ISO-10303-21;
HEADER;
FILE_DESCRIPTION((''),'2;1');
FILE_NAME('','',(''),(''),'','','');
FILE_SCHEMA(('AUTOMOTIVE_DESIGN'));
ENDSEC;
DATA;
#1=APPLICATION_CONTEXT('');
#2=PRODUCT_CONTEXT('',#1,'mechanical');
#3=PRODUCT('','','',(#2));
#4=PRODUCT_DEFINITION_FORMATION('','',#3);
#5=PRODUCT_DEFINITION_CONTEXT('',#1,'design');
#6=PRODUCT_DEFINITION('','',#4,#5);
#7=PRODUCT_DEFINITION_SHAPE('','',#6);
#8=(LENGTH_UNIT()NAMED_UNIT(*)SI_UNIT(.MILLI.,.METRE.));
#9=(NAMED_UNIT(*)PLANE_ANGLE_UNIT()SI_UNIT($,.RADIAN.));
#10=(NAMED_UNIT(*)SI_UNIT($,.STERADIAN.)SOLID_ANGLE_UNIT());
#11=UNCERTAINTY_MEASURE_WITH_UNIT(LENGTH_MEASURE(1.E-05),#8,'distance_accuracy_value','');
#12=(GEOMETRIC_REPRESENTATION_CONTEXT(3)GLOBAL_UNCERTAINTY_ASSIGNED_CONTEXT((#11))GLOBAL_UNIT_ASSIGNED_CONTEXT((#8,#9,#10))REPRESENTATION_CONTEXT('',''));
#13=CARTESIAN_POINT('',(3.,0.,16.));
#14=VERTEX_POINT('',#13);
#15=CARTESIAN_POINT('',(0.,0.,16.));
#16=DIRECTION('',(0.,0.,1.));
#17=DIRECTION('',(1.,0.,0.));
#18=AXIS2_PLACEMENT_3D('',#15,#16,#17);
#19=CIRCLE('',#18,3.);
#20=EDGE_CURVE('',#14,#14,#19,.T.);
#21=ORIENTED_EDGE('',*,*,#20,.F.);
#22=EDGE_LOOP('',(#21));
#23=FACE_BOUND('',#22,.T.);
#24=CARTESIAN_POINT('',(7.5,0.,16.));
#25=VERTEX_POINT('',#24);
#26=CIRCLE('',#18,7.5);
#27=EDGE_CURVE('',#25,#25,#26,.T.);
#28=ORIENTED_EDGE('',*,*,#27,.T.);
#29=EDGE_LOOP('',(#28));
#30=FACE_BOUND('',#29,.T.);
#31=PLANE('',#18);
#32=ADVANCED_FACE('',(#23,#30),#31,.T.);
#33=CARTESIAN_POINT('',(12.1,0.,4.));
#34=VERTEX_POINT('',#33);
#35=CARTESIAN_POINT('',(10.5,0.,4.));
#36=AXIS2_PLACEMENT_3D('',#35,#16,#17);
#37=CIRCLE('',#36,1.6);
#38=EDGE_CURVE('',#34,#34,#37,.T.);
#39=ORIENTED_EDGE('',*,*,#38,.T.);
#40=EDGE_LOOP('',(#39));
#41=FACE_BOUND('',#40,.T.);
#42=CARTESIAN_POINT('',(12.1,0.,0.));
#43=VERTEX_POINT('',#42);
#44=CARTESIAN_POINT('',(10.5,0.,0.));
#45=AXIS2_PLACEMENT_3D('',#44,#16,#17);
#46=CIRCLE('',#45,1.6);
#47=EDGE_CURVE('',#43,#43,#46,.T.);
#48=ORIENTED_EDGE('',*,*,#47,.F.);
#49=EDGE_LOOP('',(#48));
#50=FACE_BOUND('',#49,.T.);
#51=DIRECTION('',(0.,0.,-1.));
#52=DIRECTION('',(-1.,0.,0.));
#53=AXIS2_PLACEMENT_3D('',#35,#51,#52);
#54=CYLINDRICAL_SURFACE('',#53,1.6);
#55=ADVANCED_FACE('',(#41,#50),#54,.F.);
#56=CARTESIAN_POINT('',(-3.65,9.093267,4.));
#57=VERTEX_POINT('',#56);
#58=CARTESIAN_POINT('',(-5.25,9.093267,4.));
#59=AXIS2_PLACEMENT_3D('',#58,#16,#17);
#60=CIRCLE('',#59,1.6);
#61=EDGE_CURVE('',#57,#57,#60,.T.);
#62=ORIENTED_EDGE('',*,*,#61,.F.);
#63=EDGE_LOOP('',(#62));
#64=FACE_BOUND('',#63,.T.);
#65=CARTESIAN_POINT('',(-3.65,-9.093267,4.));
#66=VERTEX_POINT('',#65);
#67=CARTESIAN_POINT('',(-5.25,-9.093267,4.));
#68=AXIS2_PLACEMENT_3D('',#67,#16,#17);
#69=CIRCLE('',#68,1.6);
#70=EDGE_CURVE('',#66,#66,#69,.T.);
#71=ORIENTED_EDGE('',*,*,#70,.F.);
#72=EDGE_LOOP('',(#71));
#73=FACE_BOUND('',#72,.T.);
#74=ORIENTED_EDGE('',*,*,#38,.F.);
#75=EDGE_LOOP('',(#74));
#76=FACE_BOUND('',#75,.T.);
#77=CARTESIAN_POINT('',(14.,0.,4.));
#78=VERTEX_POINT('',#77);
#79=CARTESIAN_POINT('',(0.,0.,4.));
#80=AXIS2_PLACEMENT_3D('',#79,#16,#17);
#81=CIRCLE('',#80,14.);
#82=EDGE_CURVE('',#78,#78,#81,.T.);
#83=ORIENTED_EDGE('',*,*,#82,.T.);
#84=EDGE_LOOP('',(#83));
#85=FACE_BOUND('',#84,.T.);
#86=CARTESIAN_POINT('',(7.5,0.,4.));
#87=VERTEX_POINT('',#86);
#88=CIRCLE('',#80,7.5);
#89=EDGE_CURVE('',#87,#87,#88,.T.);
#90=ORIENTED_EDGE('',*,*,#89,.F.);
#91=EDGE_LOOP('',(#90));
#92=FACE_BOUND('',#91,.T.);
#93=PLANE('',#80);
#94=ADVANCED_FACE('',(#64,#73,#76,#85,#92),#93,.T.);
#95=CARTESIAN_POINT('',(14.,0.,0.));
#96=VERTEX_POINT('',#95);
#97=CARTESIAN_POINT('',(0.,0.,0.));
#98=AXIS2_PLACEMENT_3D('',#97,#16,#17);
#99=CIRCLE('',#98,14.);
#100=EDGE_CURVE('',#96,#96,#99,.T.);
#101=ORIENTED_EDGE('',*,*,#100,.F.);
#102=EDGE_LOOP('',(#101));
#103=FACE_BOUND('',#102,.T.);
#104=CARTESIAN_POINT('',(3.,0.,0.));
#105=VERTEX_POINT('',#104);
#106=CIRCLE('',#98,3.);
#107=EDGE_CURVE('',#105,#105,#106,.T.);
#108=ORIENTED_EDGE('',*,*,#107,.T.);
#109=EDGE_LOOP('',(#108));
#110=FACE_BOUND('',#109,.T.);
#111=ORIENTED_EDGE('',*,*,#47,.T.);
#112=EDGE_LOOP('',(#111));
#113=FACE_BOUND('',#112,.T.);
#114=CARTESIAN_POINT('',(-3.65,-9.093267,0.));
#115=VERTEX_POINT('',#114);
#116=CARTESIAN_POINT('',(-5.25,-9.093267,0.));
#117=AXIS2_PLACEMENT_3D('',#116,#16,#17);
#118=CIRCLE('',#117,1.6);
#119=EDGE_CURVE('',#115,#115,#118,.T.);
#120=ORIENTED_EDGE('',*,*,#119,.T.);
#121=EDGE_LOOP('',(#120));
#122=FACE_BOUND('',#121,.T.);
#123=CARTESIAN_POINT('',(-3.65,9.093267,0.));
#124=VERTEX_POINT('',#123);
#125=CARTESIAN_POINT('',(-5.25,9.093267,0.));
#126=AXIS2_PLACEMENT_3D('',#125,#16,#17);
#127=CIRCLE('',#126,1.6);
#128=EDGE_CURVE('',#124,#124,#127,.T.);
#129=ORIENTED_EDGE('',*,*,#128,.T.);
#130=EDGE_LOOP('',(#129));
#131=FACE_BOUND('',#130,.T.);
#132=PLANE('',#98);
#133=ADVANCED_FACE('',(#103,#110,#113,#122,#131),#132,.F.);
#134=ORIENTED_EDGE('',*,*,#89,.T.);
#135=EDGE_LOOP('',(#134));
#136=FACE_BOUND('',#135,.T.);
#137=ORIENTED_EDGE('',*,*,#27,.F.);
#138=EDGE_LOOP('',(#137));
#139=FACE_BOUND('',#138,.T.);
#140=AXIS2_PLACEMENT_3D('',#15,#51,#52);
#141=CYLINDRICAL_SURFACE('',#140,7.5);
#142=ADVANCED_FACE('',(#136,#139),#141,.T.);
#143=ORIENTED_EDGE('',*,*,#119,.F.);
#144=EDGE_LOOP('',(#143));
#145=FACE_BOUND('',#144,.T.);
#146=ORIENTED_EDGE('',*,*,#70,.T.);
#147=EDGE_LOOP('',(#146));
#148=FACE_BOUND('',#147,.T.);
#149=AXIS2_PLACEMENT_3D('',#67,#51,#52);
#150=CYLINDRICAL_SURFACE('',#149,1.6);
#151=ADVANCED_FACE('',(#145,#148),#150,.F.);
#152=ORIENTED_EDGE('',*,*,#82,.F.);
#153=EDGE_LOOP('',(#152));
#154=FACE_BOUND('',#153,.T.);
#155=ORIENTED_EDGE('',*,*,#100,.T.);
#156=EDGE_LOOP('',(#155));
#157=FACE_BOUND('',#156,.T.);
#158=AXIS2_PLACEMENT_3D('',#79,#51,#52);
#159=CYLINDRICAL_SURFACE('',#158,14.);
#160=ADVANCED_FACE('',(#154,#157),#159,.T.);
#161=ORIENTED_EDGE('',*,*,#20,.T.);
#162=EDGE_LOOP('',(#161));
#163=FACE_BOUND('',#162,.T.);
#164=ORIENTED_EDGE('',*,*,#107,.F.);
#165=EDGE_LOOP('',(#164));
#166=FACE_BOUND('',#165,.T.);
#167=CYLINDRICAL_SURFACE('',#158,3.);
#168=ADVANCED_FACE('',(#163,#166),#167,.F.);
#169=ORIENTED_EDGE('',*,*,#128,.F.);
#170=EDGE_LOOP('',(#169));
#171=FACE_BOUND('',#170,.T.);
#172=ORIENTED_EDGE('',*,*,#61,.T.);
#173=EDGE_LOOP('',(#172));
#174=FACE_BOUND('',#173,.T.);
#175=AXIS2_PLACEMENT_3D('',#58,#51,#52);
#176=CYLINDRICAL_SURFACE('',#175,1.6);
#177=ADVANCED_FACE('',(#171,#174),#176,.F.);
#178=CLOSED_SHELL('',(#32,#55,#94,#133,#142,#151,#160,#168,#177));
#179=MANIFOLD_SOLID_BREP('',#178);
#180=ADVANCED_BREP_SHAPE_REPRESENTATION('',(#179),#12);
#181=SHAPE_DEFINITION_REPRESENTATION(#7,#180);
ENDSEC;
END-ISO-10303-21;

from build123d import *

# Parameters (mm, degrees)
SKETCH_1_R      = 14
SKETCH_1_R_2    = 1.6
SKETCH_1_R_3    = 3
EXTRUDE_2_DEPTH = 4
SKETCH_2_R      = 7.5
SKETCH_2_R_2    = 3
EXTRUDE_3_DEPTH = 12


with BuildPart() as part:
    # ｽｹｯﾁ1 → ﾎﾞｽ - 押し出し2 (new body)
    with BuildSketch(Plane.XY):
        Circle(SKETCH_1_R)
        with Locations((10.5, 0)):
            Circle(SKETCH_1_R_2, mode=Mode.SUBTRACT)
        with Locations((-5.25, 9.09326674)):
            Circle(SKETCH_1_R_2, mode=Mode.SUBTRACT)
        with Locations((-5.25, -9.09326674)):
            Circle(SKETCH_1_R_2, mode=Mode.SUBTRACT)
        Circle(SKETCH_1_R_3, mode=Mode.SUBTRACT)
    extrude(amount=EXTRUDE_2_DEPTH)

    # ｽｹｯﾁ2 → ﾎﾞｽ - 押し出し3 (add)
    with BuildSketch(Plane.XY.offset(4)):
        Circle(SKETCH_2_R)
        Circle(SKETCH_2_R_2, mode=Mode.SUBTRACT)
    extrude(amount=EXTRUDE_3_DEPTH)


solid = part.part
